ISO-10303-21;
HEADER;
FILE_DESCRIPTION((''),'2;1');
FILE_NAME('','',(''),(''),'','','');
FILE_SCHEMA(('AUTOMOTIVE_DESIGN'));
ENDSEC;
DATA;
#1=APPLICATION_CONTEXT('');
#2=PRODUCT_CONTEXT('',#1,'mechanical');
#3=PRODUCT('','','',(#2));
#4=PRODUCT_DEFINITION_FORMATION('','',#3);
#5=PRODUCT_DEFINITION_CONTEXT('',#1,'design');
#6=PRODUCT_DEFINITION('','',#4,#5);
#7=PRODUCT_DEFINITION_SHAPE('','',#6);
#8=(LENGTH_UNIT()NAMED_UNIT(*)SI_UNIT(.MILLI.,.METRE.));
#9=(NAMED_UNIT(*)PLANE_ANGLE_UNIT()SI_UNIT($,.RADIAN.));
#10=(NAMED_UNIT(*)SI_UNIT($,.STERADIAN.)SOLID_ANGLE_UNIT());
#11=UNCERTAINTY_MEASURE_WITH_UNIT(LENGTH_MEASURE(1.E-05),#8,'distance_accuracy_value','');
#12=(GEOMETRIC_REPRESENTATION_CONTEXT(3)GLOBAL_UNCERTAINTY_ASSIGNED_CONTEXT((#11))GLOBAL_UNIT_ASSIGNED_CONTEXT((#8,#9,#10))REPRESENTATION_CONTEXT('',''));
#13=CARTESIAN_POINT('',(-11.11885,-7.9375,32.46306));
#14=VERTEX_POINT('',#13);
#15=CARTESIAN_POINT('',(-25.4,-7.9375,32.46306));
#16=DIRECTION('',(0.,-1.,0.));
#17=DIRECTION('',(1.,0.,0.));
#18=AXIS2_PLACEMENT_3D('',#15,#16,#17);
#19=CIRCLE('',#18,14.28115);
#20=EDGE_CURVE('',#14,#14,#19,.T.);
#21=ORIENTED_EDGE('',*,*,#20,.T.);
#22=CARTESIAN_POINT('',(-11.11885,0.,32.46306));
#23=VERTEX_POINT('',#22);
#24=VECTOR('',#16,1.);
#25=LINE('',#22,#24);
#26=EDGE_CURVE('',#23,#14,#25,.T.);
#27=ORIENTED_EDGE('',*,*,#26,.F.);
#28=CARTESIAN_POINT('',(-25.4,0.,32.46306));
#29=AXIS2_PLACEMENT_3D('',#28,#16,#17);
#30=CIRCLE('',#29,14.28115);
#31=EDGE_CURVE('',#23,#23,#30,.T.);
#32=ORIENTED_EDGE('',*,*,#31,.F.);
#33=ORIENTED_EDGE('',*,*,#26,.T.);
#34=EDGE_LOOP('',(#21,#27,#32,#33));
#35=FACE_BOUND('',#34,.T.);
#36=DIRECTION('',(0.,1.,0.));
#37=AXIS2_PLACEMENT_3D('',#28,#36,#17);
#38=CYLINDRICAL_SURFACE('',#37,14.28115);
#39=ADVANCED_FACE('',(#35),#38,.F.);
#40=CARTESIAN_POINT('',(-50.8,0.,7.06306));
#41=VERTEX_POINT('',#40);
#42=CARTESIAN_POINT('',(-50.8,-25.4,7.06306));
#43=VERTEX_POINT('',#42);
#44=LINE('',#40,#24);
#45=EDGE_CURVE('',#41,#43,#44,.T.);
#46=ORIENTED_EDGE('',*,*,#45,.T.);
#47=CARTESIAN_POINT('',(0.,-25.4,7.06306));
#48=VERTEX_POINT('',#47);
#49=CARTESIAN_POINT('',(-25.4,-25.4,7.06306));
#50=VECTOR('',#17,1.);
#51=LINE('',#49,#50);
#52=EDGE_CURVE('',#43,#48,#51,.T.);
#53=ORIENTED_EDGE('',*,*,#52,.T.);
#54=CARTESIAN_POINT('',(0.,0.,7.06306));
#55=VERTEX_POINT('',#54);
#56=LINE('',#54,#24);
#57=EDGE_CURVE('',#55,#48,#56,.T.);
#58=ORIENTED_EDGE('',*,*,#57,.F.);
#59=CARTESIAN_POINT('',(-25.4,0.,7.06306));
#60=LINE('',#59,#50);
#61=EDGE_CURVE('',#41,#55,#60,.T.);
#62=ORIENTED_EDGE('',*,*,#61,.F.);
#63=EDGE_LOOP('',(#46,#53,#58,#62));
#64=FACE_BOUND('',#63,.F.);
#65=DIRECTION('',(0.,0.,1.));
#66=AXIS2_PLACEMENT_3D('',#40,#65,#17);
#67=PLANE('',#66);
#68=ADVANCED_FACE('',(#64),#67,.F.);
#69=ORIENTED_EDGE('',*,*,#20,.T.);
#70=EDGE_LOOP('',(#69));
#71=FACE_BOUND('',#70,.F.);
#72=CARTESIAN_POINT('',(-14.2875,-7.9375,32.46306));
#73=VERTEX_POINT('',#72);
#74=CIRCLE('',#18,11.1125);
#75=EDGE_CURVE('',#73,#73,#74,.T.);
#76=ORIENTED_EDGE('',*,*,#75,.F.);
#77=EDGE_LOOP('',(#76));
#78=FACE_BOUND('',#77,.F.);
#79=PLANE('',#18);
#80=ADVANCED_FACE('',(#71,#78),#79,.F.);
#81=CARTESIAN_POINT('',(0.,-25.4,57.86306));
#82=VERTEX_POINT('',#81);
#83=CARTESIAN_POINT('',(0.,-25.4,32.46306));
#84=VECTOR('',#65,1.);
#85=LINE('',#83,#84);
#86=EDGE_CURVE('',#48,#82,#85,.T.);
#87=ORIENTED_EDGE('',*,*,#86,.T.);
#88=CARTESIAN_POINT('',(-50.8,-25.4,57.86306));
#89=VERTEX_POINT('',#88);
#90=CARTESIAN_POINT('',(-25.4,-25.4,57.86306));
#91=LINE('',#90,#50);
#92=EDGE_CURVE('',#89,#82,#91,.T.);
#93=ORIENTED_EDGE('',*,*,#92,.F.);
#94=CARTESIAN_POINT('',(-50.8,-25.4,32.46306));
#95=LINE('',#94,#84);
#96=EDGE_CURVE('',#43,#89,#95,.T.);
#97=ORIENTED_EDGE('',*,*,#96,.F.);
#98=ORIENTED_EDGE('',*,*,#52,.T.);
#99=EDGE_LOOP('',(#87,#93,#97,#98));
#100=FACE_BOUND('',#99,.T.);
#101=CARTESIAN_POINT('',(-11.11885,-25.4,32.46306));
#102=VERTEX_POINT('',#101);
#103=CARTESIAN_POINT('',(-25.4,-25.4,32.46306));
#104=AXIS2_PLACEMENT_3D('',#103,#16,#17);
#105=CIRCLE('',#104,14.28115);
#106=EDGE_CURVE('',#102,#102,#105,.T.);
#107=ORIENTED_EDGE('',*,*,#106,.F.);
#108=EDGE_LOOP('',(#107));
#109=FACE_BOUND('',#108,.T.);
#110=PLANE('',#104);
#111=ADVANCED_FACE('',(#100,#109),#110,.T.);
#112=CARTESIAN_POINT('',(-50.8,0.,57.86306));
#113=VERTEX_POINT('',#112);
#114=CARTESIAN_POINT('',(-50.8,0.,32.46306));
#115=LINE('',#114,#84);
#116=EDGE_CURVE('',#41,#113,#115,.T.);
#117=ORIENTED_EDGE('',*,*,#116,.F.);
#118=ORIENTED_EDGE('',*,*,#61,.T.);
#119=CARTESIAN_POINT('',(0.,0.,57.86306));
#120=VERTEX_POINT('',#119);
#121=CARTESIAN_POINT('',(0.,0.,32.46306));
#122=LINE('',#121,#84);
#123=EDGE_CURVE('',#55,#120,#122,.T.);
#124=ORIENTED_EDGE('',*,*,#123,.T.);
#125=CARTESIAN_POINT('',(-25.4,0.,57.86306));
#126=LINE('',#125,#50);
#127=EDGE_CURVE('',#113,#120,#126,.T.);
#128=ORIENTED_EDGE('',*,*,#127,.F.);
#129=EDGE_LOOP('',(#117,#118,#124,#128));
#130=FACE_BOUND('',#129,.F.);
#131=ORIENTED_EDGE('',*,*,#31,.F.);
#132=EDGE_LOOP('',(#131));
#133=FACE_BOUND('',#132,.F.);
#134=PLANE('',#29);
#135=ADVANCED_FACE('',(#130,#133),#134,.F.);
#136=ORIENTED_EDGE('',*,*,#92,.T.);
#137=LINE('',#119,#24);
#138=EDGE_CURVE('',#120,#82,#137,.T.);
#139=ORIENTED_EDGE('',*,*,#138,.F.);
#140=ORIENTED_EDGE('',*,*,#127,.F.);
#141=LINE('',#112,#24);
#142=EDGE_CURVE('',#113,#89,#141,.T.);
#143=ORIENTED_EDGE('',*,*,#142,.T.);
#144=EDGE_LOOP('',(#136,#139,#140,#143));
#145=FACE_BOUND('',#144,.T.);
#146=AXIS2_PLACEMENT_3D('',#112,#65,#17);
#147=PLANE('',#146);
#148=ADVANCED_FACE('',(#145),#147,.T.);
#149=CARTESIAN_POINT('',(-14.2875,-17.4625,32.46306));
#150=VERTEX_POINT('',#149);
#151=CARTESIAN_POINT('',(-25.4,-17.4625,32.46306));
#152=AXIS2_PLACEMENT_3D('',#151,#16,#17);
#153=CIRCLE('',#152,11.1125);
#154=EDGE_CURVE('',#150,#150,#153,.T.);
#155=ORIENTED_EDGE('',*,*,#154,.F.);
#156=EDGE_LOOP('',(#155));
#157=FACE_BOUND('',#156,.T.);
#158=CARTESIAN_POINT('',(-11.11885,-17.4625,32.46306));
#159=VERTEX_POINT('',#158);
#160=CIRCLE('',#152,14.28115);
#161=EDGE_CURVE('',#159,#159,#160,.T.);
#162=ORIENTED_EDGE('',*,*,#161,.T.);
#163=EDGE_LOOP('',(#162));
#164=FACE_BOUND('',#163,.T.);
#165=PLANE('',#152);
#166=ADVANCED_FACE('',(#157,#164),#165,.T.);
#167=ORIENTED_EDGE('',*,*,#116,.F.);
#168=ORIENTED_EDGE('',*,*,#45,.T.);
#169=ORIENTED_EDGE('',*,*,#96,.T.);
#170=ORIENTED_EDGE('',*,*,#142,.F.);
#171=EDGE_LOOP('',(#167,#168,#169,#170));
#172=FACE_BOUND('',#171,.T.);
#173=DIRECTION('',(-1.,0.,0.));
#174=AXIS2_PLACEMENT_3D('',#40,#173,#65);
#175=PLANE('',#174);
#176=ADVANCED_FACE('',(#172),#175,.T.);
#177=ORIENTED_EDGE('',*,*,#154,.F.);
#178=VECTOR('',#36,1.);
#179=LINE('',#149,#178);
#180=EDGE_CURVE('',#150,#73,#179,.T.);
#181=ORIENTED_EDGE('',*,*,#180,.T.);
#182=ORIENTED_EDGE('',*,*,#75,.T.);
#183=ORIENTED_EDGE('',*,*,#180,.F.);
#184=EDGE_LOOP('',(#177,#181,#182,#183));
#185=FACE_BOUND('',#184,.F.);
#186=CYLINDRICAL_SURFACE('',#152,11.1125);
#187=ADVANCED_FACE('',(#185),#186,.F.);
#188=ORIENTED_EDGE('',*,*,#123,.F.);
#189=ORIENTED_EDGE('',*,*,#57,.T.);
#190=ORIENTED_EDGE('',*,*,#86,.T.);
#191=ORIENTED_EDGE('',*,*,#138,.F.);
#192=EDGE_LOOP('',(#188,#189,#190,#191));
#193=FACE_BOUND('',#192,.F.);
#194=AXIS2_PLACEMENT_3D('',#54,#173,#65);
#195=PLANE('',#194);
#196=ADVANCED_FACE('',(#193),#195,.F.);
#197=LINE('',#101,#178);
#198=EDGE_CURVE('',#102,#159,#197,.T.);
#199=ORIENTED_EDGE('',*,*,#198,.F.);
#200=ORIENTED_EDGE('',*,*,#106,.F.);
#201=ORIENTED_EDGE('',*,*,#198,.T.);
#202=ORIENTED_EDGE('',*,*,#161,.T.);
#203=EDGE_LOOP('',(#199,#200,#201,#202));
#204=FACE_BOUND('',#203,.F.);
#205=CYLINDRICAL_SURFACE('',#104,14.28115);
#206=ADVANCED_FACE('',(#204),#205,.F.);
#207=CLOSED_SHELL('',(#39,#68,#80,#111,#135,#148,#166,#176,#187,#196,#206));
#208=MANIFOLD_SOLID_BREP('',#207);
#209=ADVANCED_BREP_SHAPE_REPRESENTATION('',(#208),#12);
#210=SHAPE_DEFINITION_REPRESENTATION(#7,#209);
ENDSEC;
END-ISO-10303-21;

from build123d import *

# Parameters (mm, degrees)
F0_W     = 50.8
F0_H     = 50.8
F2_DEPTH = 25.4
F1_R     = 14.28115
F3_DEPTH = 7.9375
F4_R     = 14.28115
F5_DEPTH = 7.9375
F6_R     = 11.1125
F7_DEPTH = 25.4


with BuildPart() as f2:
    # F0 (on Front) → F2 (new body)
    with BuildSketch(Plane.XZ):
        with Locations((-25.4, 32.4630600569)):
            Rectangle(F0_W, F0_H)
    extrude(amount=F2_DEPTH)

    # F1 (on Front) → F3 (cut)
    with BuildSketch(Plane.XZ):
        with Locations((-25.4, 32.4630600569)):
            Circle(F1_R)
    extrude(amount=F3_DEPTH, mode=Mode.SUBTRACT)

    # F4 (on face) → F5 (cut)
    with BuildSketch(Plane.XZ.offset(25.4)):
        with Locations((-25.4, 32.4630600569)):
            Circle(F4_R)
    extrude(amount=-F5_DEPTH, mode=Mode.SUBTRACT)

    # F6 (on face) → F7 (cut)
    with BuildSketch(Plane.XZ.offset(17.4625)):
        with Locations((-25.4, 32.4630600569)):
            Circle(F6_R)
    extrude(amount=-F7_DEPTH, mode=Mode.SUBTRACT)


solid = f2.part
